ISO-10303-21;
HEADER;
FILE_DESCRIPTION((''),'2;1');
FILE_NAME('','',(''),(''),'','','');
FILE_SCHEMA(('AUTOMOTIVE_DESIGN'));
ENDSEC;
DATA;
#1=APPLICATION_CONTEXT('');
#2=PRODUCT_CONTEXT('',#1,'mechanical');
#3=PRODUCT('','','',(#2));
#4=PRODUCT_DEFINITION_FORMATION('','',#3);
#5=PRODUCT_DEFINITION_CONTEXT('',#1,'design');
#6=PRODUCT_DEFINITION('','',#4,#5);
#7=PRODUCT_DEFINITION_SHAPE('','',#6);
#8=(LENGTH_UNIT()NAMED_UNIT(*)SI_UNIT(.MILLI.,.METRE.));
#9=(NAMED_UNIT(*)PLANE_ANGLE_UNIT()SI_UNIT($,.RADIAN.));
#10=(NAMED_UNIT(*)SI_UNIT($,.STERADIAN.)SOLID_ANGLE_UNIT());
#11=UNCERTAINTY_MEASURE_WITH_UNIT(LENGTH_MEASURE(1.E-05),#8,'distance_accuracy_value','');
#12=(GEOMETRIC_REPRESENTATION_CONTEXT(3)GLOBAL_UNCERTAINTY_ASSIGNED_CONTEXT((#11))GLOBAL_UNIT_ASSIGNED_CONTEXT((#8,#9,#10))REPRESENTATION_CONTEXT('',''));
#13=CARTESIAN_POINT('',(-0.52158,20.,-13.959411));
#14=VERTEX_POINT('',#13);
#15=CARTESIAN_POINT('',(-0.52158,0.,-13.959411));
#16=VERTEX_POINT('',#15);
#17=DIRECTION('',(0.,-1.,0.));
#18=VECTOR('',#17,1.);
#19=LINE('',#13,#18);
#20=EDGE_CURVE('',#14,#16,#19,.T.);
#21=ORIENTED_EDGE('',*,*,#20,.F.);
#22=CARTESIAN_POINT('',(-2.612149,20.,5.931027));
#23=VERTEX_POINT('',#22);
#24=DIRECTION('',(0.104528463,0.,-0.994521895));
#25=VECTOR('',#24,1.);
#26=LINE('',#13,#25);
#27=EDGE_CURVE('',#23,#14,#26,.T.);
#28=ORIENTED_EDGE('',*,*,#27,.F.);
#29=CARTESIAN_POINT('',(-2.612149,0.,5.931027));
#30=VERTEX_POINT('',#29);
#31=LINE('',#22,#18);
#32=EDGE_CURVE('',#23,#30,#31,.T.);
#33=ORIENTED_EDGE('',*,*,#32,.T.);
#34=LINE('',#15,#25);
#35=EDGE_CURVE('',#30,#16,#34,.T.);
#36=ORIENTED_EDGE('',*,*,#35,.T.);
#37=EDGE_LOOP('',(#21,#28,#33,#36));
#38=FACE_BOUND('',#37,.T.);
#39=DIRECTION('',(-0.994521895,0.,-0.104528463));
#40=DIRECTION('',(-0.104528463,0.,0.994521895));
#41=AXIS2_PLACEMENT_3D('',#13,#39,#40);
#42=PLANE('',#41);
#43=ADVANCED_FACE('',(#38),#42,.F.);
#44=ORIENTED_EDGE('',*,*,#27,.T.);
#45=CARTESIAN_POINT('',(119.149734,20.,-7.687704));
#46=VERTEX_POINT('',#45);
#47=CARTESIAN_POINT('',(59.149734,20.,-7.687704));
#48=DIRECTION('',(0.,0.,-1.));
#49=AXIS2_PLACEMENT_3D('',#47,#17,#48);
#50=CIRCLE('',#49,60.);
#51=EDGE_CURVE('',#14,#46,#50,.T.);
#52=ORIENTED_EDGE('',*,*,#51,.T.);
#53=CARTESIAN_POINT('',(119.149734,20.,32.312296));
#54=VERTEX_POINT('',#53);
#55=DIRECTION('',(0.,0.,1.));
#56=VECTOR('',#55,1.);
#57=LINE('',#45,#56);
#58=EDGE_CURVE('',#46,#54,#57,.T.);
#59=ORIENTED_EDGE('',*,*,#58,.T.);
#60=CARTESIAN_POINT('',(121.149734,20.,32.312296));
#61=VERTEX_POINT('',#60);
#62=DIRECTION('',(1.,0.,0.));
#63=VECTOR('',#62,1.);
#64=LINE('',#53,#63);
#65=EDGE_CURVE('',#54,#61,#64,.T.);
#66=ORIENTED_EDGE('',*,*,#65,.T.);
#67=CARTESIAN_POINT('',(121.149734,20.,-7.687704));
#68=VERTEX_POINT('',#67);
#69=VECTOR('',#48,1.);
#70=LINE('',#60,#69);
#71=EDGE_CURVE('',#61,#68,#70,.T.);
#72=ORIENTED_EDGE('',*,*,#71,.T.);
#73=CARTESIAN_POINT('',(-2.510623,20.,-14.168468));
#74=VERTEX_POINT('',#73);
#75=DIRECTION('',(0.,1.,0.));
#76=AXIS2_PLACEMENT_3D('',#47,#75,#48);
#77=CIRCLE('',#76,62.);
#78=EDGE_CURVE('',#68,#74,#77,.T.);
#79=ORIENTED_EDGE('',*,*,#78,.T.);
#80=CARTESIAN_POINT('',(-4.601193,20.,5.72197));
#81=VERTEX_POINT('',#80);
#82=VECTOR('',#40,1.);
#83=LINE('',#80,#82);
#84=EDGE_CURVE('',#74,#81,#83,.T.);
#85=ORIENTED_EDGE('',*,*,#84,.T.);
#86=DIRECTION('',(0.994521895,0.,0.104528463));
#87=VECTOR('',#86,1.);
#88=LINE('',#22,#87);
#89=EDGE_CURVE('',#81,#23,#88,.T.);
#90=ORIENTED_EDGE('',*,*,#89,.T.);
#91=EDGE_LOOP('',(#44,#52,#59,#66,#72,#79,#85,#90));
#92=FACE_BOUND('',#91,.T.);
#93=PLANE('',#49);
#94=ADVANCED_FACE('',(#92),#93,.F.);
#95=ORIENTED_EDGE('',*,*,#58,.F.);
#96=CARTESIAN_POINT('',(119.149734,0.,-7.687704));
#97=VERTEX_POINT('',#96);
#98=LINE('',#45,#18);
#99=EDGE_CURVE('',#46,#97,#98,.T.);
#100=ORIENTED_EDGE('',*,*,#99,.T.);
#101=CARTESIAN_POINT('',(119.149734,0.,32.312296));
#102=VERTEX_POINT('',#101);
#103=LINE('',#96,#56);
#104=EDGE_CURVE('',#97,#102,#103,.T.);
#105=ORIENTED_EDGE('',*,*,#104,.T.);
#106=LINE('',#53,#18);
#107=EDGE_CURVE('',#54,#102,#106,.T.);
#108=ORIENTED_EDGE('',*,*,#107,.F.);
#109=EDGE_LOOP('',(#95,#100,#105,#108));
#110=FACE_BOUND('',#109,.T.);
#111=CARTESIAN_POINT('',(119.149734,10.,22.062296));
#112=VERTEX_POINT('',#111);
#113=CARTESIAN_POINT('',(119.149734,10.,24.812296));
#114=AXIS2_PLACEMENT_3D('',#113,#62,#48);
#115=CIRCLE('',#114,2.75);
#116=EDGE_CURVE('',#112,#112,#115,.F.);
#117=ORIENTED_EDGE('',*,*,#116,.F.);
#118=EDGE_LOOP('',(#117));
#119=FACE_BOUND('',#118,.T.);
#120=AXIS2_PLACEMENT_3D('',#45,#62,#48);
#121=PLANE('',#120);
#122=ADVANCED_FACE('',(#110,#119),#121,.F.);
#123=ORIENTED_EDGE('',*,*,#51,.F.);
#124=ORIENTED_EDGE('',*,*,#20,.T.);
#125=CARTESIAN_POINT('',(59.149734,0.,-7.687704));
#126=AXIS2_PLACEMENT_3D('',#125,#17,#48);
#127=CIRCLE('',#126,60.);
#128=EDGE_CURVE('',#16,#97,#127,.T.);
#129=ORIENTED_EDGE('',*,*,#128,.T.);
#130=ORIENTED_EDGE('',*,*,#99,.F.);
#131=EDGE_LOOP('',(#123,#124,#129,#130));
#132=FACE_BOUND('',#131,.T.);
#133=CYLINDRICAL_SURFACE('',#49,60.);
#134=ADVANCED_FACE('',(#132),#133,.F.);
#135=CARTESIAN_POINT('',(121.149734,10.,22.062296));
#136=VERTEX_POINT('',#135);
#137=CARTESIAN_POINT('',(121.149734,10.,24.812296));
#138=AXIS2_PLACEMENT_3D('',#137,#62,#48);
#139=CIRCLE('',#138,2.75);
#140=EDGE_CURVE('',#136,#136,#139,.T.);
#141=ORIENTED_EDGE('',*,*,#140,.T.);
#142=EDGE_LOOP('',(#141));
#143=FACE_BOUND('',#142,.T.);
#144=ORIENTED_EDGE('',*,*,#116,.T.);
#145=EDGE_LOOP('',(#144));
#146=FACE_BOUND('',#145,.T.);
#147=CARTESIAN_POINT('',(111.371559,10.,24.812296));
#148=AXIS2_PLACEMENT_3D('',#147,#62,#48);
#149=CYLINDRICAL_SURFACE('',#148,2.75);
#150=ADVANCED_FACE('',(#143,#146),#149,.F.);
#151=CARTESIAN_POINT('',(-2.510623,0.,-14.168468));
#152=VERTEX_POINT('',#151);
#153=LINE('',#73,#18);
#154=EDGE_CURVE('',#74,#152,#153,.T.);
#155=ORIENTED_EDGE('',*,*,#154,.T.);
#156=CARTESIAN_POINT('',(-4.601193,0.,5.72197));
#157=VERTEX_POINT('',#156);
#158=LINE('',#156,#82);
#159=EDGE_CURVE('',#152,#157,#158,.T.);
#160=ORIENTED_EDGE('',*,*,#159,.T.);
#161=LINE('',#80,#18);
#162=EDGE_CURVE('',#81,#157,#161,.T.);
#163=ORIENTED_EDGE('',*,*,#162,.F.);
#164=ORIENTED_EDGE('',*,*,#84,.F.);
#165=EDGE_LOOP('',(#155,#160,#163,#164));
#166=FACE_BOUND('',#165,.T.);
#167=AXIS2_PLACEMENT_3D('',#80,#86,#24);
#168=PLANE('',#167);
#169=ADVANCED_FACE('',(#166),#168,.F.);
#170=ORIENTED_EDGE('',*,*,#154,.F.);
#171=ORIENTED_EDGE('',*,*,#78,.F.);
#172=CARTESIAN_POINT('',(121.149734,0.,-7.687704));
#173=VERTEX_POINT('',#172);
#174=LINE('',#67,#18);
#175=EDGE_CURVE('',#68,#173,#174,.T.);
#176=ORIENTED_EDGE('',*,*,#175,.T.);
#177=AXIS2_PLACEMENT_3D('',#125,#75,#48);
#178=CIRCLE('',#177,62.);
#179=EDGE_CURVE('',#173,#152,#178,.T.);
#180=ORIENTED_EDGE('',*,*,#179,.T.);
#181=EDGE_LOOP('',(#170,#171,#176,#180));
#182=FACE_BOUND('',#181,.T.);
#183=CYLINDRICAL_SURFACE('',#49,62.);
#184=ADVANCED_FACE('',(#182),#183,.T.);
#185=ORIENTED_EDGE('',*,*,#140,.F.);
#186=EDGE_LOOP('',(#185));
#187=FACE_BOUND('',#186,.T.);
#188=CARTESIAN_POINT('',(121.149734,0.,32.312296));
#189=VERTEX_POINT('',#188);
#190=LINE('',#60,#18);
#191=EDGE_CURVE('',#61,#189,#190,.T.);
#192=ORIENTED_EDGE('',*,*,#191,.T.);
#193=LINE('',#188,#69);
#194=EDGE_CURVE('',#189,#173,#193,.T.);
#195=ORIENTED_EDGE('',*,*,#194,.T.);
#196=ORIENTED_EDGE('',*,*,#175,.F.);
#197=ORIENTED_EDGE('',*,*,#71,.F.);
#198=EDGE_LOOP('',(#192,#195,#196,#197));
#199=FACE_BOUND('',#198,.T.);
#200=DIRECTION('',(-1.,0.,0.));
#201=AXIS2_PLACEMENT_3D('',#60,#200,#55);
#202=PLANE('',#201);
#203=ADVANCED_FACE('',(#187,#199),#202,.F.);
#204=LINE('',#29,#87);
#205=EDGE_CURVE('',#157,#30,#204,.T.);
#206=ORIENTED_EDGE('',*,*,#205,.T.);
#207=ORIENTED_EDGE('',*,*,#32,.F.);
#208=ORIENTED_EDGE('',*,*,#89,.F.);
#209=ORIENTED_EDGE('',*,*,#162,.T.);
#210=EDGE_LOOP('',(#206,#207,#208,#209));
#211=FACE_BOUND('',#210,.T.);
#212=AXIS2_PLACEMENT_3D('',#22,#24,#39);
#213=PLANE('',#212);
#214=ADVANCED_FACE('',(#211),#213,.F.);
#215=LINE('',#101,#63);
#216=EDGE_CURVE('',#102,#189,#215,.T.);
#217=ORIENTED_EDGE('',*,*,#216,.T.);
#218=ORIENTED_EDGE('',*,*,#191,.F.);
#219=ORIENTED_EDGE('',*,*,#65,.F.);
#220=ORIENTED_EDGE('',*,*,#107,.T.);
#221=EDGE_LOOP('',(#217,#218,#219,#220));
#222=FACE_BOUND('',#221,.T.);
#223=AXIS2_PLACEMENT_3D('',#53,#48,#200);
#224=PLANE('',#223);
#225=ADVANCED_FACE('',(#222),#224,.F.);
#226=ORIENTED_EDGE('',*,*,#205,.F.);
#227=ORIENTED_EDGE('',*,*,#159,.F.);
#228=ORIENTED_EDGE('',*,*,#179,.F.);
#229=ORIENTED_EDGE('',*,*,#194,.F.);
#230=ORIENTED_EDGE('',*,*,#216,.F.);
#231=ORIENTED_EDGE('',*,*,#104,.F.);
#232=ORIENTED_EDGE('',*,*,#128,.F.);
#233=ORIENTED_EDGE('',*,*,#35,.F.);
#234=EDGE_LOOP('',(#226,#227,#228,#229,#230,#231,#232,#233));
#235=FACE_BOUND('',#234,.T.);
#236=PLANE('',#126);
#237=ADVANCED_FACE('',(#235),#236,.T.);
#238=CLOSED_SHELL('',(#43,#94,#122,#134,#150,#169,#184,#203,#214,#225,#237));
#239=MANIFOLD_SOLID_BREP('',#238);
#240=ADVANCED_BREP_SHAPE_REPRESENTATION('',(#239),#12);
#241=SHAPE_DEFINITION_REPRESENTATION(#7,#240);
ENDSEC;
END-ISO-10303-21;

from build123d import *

# Parameters (mm, degrees)
RESSALTO_EXTRUS_O1_DEPTH = 20
ESBO_O2_R                = 2.75
CORTE_EXTRUS_O1_DEPTH    = 2


with BuildPart() as part:
    # Esboço1 → Ressalto-extrusão1 (new body)
    with BuildSketch(Plane(origin=(0, 0, 0), x_dir=(1, 0, 0), z_dir=(0, 1, 0))):
        with BuildLine():
            Line((-0.521579636, 13.959411341), (-2.612148901, -5.931026567))
            Line((-2.612148901, -5.931026567), (-4.601192692, -5.72196964))
            Line((-4.601192692, -5.72196964), (-2.510623427, 14.168468267))
            ThreePointArc((-2.510623427, 14.168468267), (62.394563373, 69.6027347), (121.149734086, 7.687703545))
            Line((121.149734086, 7.687703545), (121.149734086, -32.312296455))
            Line((121.149734086, -32.312296455), (119.149734086, -32.312296455))
            Line((119.149734086, -32.312296455), (119.149734086, 7.687703545))
            ThreePointArc((119.149734086, 7.687703545), (62.289891461, 67.60547563), (-0.521579636, 13.959411341))
        make_face()
    extrude(amount=RESSALTO_EXTRUS_O1_DEPTH)

    # Esboço2 → Corte-extrusão1 (cut)
    with BuildSketch(Plane(origin=(121.149734086, 0, 0), x_dir=(0, 0, -1), z_dir=(1, 0, 0))):
        with Locations((-24.812296455, 10)):
            Circle(ESBO_O2_R)
    extrude(amount=-CORTE_EXTRUS_O1_DEPTH, mode=Mode.SUBTRACT)


solid = part.part
